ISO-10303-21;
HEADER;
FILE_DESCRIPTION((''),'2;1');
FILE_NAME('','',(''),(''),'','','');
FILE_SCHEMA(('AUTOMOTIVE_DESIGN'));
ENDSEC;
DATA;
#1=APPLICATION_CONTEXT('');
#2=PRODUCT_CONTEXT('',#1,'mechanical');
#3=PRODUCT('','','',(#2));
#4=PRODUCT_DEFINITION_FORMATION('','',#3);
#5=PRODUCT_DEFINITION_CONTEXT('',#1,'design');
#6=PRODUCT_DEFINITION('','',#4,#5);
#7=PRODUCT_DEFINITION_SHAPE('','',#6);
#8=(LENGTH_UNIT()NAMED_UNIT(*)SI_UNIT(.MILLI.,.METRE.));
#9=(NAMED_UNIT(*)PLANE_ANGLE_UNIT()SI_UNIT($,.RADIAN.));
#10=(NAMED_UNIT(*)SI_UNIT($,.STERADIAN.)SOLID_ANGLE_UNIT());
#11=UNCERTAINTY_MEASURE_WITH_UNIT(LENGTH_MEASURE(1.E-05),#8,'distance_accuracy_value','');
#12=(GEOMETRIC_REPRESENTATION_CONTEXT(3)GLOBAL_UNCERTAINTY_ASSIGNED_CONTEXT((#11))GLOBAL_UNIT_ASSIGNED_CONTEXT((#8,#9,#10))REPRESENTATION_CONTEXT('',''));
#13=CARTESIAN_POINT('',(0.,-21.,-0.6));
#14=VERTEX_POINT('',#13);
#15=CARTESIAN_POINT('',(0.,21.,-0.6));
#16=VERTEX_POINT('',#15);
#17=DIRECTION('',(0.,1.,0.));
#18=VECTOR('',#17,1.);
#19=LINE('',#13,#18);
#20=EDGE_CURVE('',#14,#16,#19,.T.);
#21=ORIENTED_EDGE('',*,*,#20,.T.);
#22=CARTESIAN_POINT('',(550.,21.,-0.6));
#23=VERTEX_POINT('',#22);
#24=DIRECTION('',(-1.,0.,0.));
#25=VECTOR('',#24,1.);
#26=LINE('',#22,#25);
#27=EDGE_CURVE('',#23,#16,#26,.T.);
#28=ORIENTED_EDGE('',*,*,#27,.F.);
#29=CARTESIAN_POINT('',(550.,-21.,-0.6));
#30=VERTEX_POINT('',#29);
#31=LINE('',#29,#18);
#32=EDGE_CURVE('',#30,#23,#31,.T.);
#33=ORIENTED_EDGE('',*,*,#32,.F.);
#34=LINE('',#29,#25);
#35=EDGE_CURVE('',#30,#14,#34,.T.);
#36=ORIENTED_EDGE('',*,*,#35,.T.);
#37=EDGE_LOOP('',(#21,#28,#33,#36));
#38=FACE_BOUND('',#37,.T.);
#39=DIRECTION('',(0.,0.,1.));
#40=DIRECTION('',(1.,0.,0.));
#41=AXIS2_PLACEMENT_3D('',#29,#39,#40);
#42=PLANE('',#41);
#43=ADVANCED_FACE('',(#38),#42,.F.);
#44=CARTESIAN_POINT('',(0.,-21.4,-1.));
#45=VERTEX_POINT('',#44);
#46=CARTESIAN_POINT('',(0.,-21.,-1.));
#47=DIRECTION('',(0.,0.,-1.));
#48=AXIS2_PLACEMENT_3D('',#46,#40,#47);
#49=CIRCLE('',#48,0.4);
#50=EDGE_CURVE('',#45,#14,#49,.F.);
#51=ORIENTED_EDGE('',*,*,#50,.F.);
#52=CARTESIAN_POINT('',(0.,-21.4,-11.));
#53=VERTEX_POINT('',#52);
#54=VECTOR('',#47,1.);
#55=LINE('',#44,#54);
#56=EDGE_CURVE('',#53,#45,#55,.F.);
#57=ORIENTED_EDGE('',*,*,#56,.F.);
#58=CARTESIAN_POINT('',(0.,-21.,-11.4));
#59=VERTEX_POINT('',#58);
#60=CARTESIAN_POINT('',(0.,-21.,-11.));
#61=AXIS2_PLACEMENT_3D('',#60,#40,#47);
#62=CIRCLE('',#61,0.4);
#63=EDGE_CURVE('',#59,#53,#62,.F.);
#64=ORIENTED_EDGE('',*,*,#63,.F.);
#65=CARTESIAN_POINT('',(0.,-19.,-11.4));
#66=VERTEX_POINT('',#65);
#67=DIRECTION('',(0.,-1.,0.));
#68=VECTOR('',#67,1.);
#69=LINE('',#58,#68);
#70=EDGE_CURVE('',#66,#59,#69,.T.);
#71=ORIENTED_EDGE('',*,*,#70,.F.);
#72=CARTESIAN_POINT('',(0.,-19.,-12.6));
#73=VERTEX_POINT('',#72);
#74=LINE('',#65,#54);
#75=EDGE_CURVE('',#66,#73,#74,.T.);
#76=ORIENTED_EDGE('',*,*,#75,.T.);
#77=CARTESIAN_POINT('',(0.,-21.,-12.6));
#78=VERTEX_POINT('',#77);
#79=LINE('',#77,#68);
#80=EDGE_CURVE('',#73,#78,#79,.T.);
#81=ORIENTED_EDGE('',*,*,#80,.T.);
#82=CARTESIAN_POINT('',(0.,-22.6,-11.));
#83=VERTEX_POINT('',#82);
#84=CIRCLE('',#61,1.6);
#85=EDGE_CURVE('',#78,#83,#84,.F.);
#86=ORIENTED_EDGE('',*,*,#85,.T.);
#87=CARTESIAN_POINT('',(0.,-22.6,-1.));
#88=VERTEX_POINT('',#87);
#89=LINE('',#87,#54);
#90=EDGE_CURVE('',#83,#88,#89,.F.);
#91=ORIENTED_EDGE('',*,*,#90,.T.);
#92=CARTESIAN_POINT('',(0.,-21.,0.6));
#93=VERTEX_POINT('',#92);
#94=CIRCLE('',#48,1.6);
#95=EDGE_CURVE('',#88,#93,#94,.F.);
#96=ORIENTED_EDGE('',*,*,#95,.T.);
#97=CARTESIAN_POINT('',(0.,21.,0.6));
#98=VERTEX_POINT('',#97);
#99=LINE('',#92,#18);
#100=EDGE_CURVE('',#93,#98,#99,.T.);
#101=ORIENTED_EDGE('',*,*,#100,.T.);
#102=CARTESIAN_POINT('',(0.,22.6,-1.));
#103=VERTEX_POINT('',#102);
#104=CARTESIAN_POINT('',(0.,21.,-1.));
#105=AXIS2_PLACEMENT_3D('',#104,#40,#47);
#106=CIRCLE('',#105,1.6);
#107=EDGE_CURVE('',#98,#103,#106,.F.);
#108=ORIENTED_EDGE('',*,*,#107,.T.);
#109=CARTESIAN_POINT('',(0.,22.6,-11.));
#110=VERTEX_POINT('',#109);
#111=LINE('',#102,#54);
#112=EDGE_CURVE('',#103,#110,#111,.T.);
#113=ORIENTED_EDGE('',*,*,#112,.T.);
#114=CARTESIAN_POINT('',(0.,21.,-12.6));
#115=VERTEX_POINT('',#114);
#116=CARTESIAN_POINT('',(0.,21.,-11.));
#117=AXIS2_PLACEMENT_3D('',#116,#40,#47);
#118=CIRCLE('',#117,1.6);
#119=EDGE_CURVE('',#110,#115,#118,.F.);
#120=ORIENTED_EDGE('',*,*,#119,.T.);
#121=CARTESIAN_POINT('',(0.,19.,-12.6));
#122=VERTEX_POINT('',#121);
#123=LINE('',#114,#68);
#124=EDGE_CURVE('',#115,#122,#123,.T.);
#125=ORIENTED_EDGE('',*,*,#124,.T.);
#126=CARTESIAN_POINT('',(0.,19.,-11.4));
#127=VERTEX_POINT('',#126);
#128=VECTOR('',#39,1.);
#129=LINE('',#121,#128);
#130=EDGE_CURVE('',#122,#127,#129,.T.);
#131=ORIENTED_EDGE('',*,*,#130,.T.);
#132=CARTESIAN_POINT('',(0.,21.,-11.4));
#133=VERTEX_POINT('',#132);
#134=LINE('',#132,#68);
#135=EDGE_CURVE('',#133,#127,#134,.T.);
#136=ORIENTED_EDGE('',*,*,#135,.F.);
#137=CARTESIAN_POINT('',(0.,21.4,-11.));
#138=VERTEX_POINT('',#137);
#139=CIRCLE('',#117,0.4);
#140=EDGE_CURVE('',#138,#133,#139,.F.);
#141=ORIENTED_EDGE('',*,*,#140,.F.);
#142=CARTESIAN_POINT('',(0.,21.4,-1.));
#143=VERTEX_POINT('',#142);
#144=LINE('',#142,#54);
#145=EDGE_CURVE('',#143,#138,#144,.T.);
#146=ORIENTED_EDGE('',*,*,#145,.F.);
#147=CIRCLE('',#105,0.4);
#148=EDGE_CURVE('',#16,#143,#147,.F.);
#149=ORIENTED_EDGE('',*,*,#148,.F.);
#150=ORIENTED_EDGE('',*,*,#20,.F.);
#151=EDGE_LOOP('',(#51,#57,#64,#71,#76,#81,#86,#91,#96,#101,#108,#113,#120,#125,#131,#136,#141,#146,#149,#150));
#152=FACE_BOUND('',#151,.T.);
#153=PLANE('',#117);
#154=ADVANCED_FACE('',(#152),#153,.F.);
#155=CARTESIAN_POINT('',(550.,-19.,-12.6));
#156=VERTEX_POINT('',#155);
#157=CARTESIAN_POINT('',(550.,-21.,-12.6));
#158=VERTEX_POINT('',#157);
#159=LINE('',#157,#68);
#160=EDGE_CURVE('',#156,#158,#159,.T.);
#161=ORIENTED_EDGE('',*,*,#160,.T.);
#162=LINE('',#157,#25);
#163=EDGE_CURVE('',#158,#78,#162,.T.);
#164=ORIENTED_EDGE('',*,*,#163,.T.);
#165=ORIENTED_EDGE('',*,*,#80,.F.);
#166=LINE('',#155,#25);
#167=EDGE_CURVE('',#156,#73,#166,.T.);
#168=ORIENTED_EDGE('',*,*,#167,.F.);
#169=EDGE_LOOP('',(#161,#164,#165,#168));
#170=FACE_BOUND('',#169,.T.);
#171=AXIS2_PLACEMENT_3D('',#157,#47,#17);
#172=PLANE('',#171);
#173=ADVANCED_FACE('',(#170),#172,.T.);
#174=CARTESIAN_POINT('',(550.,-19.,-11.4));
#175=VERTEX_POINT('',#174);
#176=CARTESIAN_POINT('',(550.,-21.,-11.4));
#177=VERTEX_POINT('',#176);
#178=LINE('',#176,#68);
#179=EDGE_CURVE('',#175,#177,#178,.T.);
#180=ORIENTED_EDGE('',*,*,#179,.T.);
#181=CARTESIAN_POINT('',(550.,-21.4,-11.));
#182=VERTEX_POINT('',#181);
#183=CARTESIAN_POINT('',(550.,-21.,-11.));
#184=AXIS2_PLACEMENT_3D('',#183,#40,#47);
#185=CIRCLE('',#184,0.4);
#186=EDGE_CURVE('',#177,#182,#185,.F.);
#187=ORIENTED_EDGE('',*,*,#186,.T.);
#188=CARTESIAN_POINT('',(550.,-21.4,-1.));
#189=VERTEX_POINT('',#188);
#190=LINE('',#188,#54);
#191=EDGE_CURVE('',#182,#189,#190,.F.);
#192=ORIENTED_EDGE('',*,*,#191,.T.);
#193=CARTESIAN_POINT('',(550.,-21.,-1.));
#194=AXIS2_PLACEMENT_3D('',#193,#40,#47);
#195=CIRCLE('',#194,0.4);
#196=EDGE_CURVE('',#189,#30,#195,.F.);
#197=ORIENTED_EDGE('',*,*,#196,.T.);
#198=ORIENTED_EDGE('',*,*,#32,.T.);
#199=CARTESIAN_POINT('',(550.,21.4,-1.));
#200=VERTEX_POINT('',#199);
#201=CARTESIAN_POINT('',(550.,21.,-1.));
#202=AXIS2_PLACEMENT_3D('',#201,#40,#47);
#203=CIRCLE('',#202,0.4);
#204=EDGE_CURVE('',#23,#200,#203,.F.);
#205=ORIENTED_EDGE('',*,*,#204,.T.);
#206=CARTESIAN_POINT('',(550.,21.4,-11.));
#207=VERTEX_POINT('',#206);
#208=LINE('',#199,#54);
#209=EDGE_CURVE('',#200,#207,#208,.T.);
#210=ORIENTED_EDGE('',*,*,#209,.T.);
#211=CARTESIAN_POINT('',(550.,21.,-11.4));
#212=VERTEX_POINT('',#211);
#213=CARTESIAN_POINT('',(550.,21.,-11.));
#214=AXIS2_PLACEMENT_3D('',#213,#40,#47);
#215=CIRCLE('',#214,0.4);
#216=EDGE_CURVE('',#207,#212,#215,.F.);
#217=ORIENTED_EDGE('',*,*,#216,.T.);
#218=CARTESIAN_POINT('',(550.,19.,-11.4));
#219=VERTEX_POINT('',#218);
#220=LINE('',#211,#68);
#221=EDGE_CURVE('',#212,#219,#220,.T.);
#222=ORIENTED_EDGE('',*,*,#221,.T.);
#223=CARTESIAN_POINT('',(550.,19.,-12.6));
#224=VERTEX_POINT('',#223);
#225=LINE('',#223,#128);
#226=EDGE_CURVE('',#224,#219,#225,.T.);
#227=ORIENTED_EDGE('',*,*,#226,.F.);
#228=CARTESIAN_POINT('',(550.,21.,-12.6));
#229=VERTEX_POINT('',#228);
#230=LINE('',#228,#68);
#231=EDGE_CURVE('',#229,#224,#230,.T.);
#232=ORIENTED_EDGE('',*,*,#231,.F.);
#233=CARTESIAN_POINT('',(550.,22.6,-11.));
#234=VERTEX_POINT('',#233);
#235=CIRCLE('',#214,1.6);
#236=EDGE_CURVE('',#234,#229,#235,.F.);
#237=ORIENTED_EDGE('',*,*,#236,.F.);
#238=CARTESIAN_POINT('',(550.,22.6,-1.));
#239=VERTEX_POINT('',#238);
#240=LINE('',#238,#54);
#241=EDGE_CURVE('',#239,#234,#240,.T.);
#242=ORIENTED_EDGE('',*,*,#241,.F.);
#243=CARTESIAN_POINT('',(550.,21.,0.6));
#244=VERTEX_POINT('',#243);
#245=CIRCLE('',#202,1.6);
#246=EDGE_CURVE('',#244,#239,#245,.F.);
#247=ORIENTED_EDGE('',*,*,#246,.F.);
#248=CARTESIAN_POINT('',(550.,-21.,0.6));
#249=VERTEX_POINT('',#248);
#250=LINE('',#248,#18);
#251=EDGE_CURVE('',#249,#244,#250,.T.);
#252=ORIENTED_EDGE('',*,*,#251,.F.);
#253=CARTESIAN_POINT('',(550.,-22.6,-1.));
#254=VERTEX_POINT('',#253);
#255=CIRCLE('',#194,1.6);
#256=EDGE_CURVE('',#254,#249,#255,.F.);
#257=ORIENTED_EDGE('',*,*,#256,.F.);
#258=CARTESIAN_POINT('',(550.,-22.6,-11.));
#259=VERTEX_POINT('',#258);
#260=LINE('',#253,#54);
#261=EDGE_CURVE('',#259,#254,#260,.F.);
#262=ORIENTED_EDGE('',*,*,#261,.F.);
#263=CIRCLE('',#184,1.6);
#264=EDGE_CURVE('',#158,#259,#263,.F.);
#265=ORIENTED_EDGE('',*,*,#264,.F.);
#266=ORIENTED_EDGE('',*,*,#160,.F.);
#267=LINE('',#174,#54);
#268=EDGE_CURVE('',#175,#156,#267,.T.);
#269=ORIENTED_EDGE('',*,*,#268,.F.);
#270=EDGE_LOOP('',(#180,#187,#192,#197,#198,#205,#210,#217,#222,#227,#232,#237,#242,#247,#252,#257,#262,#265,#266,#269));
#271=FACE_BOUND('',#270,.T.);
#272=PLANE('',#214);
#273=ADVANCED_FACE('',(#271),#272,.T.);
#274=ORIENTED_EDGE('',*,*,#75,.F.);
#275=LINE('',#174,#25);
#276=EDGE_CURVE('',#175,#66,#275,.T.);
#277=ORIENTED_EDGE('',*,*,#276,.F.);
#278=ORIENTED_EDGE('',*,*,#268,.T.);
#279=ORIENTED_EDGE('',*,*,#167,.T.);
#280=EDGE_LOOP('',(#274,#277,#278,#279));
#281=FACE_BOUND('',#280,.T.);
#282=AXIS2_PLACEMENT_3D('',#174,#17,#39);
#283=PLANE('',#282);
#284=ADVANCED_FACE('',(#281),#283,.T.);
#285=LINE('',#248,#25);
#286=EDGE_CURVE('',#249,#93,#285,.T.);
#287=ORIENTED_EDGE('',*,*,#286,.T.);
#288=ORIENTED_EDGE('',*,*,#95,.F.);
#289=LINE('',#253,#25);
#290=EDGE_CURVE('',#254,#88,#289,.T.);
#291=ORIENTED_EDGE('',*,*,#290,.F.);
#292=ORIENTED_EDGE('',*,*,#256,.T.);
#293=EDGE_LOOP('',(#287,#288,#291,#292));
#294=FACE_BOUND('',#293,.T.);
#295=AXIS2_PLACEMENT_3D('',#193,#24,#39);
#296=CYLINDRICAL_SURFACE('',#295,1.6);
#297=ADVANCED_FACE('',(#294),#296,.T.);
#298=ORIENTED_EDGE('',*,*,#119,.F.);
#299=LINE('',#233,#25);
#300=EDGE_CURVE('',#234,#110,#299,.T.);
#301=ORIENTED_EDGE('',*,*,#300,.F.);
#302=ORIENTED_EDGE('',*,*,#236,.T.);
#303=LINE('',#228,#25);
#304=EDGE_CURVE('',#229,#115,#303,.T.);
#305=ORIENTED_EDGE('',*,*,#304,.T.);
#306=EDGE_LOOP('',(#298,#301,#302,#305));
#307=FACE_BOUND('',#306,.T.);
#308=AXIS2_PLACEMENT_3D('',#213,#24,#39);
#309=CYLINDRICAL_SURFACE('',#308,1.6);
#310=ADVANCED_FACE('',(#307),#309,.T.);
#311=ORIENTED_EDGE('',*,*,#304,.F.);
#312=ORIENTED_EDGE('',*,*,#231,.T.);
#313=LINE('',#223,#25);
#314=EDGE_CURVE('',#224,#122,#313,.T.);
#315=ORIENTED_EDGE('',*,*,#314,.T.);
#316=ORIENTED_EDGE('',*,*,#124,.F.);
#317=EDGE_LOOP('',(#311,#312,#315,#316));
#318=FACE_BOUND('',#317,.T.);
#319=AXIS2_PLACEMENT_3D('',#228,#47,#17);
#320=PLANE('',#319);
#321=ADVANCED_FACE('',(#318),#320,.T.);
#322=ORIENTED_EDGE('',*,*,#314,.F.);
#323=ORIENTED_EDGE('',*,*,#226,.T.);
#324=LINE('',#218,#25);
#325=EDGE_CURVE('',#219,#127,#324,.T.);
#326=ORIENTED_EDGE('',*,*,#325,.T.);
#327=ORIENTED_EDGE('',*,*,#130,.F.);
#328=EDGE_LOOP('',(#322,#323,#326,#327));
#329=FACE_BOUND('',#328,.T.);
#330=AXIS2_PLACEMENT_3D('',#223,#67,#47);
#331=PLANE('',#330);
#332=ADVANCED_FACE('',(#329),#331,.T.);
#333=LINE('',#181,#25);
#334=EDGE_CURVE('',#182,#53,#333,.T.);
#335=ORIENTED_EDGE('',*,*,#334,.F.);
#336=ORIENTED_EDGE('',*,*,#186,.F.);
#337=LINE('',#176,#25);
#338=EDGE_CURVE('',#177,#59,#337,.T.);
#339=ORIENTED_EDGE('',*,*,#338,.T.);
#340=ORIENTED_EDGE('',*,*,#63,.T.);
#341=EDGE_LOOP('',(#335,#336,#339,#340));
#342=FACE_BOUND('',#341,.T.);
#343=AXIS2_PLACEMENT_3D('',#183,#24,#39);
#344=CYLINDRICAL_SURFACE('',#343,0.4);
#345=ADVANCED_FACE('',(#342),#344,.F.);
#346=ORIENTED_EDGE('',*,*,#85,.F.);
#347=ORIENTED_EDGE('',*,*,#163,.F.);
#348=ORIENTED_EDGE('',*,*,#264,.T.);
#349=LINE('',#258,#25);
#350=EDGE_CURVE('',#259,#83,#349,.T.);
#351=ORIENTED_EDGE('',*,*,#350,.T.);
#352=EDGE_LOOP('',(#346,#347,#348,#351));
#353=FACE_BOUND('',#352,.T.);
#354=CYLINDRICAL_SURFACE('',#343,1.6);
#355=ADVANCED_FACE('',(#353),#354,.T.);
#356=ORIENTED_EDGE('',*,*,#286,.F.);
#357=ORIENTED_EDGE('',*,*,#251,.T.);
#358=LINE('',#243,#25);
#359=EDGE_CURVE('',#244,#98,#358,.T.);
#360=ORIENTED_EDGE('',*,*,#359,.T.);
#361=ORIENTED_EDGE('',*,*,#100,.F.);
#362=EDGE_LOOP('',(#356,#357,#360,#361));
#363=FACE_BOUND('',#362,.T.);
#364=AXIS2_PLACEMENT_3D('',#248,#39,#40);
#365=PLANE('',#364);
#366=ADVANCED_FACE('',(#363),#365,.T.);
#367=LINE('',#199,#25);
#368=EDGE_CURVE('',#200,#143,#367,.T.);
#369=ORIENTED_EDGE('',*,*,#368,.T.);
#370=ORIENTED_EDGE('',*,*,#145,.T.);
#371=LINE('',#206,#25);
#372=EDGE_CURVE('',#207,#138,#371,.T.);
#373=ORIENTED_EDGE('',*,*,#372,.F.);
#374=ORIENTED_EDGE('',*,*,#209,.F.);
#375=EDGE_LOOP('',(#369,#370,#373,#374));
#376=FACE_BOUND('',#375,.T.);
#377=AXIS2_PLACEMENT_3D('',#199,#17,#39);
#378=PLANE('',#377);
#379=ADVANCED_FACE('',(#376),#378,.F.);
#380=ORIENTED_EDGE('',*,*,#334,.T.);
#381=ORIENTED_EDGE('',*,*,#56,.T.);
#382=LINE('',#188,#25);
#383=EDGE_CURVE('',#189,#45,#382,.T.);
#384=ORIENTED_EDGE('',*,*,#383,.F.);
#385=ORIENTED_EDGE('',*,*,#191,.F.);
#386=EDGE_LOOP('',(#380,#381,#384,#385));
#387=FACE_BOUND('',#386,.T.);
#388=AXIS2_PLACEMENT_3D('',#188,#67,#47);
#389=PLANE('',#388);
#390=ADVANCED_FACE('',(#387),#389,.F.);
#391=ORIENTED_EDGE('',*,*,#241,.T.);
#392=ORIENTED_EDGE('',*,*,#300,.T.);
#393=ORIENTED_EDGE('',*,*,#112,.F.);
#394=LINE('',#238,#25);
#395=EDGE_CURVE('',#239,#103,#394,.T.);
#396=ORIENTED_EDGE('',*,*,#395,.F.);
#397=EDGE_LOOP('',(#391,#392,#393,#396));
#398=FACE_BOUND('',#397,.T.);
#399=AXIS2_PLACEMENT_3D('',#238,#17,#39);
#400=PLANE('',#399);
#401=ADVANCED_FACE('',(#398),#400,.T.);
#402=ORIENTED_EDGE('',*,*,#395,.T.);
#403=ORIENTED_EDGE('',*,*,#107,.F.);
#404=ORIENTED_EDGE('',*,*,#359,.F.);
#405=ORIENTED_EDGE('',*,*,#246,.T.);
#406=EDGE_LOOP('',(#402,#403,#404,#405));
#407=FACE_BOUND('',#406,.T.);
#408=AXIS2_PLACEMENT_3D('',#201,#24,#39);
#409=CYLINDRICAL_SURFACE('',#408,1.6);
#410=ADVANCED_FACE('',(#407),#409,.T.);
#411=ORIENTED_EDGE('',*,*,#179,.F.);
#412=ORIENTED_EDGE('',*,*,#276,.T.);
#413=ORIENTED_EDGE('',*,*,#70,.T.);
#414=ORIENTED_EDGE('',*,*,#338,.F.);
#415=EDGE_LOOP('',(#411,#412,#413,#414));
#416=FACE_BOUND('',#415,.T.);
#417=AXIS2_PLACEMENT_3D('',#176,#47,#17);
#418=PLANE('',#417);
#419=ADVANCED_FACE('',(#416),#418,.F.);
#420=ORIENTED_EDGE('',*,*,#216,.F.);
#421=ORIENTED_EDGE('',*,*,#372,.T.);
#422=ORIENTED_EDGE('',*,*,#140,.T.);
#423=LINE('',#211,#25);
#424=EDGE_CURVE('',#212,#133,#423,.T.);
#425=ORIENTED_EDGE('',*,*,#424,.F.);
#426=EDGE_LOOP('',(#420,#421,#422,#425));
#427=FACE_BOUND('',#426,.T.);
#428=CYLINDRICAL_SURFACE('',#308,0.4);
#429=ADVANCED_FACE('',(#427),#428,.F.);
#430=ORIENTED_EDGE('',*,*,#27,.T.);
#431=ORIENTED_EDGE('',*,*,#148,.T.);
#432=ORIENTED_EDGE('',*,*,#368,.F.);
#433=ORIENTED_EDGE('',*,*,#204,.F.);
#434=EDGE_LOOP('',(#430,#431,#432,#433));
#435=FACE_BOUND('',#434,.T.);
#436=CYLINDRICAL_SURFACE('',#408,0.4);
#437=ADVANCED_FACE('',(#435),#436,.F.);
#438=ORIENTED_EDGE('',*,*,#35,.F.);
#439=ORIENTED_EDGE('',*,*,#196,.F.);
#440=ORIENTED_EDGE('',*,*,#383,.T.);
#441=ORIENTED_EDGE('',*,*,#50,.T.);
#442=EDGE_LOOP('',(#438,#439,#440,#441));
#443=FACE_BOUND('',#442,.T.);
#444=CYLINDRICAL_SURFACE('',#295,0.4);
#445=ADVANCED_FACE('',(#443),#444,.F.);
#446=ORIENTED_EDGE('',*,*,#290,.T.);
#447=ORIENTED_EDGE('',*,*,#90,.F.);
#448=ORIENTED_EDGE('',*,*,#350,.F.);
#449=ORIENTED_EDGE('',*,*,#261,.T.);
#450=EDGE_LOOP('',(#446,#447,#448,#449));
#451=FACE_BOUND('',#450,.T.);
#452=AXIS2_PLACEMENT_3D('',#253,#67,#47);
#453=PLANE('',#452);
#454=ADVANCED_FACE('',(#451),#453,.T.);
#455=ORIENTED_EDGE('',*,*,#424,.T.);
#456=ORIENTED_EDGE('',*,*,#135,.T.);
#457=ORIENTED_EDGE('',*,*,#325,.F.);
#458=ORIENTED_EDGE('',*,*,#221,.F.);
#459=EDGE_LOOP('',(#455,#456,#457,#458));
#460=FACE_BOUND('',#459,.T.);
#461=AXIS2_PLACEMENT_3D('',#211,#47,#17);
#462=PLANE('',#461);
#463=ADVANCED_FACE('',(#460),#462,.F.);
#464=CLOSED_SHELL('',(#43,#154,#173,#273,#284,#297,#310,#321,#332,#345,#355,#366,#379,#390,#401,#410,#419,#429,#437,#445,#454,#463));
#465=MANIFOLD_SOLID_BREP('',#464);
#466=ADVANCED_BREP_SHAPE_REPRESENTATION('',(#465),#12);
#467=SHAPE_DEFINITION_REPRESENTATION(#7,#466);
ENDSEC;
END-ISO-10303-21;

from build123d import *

# Parameters (mm, degrees)
EXTRUDE_1_DEPTH = 550


with BuildPart() as part:
    # Эскиз1 → Вытянуть-Тонкостенный1 (new body)
    with BuildSketch(Plane(origin=(0, 0, 0), x_dir=(0, 0, -1), z_dir=(1, 0, 0))):
        with BuildLine():
            Line((11.4, -19), (11.4, -21))
            ThreePointArc((11.4, -21), (11.282842712, -21.282842712), (11, -21.4))
            Line((11, -21.4), (1, -21.4))
            ThreePointArc((1, -21.4), (0.717157288, -21.282842712), (0.6, -21))
            Line((0.6, -21), (0.6, 21))
            ThreePointArc((0.6, 21), (0.717157288, 21.282842712), (1, 21.4))
            Line((1, 21.4), (11, 21.4))
            ThreePointArc((11, 21.4), (11.282842712, 21.282842712), (11.4, 21))
            Line((11.4, 21), (11.4, 19))
            Line((11.4, 19), (12.6, 19))
            Line((12.6, 19), (12.6, 21))
            ThreePointArc((12.6, 21), (12.13137085, 22.13137085), (11, 22.6))
            Line((11, 22.6), (1, 22.6))
            ThreePointArc((1, 22.6), (-0.13137085, 22.13137085), (-0.6, 21))
            Line((-0.6, 21), (-0.6, -21))
            ThreePointArc((-0.6, -21), (-0.13137085, -22.13137085), (1, -22.6))
            Line((1, -22.6), (11, -22.6))
            ThreePointArc((11, -22.6), (12.13137085, -22.13137085), (12.6, -21))
            Line((12.6, -21), (12.6, -19))
            Line((12.6, -19), (11.4, -19))
        make_face()
    extrude(amount=EXTRUDE_1_DEPTH)


solid = part.part
